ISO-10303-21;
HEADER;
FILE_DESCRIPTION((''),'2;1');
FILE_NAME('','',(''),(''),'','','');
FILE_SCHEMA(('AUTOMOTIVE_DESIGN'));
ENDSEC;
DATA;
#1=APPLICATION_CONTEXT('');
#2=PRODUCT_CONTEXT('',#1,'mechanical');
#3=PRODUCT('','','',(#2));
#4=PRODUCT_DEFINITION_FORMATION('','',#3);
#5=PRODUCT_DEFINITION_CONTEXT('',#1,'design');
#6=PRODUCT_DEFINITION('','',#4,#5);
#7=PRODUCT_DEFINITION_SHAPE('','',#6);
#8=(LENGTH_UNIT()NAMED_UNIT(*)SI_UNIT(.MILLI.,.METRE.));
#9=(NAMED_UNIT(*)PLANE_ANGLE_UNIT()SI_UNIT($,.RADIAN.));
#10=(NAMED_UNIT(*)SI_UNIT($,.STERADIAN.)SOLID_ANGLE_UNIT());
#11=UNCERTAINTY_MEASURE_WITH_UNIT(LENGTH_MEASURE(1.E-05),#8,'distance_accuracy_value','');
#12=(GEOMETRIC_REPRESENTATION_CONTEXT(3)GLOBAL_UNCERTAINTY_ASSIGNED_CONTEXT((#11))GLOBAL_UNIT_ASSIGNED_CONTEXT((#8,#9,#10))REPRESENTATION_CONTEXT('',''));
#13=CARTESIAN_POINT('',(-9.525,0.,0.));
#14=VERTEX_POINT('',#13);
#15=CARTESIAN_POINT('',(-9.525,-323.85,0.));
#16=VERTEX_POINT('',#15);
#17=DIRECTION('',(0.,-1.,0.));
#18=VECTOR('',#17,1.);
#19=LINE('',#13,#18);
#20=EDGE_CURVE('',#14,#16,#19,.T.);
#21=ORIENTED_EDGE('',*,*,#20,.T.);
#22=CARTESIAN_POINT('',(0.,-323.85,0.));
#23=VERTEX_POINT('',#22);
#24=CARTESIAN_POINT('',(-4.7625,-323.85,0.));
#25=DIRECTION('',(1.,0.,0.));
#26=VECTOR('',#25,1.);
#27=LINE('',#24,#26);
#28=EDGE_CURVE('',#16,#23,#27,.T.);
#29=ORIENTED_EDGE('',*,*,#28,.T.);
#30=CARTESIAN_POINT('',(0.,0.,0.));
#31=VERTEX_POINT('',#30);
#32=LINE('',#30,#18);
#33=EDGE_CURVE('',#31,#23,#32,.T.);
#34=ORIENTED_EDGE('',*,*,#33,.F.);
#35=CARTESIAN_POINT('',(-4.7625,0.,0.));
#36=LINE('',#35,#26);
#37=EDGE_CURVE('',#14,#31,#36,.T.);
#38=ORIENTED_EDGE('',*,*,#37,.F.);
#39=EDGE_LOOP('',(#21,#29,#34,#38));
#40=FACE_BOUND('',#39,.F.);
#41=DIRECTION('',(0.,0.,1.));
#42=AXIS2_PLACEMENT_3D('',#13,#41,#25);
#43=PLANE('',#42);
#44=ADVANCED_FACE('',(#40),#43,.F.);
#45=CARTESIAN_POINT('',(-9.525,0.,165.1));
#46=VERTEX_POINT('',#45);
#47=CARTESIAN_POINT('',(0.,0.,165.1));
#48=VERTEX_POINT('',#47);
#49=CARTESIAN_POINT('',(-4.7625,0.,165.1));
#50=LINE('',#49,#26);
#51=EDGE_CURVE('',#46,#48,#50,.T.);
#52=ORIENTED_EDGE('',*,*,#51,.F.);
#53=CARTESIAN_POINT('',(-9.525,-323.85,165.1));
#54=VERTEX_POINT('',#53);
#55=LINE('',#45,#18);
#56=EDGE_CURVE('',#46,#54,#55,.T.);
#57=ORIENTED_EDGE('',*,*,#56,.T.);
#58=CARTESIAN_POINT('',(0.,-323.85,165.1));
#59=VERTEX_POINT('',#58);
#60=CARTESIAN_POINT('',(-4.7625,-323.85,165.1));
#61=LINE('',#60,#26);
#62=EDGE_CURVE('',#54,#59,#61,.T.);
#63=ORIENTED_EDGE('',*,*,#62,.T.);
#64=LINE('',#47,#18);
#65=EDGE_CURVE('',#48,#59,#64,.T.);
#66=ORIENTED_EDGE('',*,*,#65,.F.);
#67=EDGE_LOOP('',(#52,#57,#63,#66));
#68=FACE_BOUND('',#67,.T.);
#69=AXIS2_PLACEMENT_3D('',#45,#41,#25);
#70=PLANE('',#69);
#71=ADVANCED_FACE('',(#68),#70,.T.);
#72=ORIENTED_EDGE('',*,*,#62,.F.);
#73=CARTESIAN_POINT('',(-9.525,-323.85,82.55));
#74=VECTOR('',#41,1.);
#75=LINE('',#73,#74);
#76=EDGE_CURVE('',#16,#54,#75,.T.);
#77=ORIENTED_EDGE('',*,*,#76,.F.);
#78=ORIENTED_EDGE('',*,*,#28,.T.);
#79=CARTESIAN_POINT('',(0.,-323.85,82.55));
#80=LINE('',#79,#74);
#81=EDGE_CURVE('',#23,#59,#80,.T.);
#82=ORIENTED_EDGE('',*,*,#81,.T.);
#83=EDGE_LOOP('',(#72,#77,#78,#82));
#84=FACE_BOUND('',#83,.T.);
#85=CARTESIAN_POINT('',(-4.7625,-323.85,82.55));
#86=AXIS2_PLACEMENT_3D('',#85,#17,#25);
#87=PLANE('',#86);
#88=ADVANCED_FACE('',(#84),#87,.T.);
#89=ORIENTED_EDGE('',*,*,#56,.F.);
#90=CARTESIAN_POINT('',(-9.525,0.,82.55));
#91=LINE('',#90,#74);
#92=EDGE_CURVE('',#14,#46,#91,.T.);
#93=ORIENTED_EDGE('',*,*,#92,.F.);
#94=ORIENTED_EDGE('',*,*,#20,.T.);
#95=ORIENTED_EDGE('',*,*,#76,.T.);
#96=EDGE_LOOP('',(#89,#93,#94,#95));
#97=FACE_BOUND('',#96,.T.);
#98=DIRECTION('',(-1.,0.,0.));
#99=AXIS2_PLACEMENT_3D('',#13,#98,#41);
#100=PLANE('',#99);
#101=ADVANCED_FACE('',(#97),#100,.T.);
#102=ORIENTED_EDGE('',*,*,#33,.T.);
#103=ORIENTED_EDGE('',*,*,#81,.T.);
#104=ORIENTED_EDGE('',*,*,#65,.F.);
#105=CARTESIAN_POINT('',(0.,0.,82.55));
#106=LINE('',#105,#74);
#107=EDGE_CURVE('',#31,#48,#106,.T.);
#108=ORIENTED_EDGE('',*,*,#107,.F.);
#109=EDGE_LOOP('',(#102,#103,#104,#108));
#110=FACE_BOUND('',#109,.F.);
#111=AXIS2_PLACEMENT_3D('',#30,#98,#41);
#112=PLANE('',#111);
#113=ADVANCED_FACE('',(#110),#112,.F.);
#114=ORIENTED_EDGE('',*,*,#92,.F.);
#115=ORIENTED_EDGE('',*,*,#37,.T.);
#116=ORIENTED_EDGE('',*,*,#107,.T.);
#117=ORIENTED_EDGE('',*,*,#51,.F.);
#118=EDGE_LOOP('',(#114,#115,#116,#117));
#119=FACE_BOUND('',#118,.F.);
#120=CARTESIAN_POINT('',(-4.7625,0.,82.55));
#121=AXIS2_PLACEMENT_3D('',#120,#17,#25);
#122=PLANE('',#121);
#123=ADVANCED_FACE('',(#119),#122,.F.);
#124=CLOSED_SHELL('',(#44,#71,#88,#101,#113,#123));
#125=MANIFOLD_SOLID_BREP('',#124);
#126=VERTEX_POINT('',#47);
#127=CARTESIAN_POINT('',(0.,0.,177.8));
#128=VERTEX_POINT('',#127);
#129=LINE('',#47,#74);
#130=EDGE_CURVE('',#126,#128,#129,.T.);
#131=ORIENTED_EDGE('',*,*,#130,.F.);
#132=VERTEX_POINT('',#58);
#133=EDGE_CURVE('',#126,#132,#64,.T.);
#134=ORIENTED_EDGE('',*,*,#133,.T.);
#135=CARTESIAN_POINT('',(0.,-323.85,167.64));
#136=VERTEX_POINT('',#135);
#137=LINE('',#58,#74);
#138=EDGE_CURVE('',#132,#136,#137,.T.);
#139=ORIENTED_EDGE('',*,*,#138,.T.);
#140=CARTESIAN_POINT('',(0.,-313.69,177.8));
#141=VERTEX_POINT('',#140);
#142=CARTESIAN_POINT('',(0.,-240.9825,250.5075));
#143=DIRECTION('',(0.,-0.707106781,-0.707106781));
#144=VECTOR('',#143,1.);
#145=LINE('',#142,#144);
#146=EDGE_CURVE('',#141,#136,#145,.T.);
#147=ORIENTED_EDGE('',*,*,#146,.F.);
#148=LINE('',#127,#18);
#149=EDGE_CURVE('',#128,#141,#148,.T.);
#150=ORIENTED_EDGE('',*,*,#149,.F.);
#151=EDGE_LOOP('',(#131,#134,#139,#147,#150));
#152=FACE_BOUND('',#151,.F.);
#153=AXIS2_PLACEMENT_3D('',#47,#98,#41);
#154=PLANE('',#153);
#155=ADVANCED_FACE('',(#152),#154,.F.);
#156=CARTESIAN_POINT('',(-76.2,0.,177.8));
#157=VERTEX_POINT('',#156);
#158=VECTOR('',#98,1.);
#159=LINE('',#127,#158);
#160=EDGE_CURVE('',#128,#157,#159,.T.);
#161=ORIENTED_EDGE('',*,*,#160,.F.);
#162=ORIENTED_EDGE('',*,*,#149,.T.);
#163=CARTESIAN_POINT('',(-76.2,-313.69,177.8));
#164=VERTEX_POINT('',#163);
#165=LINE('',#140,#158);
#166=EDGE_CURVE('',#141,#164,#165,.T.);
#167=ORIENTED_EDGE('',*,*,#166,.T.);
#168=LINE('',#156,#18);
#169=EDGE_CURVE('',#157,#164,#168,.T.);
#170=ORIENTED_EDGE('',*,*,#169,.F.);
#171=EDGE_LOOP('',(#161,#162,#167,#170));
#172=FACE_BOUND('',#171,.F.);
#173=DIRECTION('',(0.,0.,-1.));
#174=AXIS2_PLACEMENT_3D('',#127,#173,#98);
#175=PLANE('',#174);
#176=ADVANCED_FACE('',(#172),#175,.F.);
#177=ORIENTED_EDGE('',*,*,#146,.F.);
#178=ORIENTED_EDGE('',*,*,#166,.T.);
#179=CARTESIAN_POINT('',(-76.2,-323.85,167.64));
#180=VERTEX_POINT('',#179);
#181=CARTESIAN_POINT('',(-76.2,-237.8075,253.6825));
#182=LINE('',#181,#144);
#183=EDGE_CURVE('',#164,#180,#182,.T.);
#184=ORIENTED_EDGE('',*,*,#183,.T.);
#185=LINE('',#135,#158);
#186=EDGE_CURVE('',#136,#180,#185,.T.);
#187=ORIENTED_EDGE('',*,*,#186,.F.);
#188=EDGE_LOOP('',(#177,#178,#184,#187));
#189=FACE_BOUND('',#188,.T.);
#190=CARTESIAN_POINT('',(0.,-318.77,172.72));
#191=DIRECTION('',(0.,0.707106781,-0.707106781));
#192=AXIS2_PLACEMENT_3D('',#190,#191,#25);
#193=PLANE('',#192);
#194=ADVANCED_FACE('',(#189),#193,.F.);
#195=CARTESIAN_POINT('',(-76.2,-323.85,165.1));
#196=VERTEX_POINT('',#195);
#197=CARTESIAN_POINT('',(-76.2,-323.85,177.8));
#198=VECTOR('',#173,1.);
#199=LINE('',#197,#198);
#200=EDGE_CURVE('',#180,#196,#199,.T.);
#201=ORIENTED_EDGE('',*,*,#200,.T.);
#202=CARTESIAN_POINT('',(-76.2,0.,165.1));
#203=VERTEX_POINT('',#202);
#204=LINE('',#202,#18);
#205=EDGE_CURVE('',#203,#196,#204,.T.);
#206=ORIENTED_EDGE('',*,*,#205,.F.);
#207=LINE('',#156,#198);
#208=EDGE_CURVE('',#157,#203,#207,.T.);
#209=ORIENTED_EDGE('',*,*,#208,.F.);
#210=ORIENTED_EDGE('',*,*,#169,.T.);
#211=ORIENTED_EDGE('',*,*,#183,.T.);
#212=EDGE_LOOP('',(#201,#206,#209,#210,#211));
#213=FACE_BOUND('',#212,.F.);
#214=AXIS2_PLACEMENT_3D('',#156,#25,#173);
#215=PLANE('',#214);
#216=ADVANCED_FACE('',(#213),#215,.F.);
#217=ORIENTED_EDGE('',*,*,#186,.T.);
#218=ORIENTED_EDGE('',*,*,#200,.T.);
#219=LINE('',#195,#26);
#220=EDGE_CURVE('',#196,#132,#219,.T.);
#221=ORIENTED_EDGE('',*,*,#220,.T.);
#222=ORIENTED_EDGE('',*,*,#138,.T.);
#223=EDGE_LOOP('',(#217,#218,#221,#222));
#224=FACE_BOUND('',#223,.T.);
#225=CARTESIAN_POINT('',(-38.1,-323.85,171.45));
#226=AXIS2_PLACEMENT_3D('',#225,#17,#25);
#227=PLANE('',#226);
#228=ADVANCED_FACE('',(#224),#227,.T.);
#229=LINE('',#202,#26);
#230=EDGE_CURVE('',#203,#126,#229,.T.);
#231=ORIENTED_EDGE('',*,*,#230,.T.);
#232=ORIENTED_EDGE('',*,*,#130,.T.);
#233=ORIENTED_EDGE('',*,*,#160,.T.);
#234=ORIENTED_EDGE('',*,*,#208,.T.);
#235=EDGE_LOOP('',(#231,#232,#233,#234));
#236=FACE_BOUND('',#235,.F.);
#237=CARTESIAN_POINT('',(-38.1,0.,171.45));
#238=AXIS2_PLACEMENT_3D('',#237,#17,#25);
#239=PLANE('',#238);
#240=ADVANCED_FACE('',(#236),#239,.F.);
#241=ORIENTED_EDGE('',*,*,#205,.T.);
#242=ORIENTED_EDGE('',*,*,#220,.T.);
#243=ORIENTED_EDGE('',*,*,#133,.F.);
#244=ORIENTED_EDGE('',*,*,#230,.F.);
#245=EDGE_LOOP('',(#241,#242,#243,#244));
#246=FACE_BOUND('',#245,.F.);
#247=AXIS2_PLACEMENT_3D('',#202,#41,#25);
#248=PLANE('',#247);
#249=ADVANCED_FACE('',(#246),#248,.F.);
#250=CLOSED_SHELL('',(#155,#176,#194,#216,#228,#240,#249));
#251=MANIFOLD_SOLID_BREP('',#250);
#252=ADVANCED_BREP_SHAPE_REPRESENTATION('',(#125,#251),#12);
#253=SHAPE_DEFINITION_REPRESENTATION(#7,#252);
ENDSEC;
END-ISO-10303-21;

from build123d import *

# Parameters (mm, degrees)
F0_W     = 9.525
F0_H     = 165.1
F1_DEPTH = 323.85
F2_DEPTH = 323.85
F3_SIZE  = 10.16


with BuildPart() as f1:
    # F0 (on Front) → F1 (new body)
    with BuildSketch(Plane.XZ):
        with Locations((-4.7625, 82.55)):
            Rectangle(F0_W, F0_H)
    extrude(amount=F1_DEPTH)


with BuildPart() as f2:
    # F0 (on Front) → F2 (new body, through all)
    with BuildSketch(Plane.XZ):
        Polygon((-76.2, 165.1), (-9.525, 165.1), (0, 165.1), (0, 177.8), (-76.2, 177.8), align=None)
    extrude(amount=F2_DEPTH)

    # F3
    f3_edges = [f2.edges().sort_by_distance(p)[0] for p in [
        (-38.1, -323.85, 177.8),
    ]]
    chamfer(f3_edges, length=F3_SIZE)


solid = Compound([f1.part, f2.part])
